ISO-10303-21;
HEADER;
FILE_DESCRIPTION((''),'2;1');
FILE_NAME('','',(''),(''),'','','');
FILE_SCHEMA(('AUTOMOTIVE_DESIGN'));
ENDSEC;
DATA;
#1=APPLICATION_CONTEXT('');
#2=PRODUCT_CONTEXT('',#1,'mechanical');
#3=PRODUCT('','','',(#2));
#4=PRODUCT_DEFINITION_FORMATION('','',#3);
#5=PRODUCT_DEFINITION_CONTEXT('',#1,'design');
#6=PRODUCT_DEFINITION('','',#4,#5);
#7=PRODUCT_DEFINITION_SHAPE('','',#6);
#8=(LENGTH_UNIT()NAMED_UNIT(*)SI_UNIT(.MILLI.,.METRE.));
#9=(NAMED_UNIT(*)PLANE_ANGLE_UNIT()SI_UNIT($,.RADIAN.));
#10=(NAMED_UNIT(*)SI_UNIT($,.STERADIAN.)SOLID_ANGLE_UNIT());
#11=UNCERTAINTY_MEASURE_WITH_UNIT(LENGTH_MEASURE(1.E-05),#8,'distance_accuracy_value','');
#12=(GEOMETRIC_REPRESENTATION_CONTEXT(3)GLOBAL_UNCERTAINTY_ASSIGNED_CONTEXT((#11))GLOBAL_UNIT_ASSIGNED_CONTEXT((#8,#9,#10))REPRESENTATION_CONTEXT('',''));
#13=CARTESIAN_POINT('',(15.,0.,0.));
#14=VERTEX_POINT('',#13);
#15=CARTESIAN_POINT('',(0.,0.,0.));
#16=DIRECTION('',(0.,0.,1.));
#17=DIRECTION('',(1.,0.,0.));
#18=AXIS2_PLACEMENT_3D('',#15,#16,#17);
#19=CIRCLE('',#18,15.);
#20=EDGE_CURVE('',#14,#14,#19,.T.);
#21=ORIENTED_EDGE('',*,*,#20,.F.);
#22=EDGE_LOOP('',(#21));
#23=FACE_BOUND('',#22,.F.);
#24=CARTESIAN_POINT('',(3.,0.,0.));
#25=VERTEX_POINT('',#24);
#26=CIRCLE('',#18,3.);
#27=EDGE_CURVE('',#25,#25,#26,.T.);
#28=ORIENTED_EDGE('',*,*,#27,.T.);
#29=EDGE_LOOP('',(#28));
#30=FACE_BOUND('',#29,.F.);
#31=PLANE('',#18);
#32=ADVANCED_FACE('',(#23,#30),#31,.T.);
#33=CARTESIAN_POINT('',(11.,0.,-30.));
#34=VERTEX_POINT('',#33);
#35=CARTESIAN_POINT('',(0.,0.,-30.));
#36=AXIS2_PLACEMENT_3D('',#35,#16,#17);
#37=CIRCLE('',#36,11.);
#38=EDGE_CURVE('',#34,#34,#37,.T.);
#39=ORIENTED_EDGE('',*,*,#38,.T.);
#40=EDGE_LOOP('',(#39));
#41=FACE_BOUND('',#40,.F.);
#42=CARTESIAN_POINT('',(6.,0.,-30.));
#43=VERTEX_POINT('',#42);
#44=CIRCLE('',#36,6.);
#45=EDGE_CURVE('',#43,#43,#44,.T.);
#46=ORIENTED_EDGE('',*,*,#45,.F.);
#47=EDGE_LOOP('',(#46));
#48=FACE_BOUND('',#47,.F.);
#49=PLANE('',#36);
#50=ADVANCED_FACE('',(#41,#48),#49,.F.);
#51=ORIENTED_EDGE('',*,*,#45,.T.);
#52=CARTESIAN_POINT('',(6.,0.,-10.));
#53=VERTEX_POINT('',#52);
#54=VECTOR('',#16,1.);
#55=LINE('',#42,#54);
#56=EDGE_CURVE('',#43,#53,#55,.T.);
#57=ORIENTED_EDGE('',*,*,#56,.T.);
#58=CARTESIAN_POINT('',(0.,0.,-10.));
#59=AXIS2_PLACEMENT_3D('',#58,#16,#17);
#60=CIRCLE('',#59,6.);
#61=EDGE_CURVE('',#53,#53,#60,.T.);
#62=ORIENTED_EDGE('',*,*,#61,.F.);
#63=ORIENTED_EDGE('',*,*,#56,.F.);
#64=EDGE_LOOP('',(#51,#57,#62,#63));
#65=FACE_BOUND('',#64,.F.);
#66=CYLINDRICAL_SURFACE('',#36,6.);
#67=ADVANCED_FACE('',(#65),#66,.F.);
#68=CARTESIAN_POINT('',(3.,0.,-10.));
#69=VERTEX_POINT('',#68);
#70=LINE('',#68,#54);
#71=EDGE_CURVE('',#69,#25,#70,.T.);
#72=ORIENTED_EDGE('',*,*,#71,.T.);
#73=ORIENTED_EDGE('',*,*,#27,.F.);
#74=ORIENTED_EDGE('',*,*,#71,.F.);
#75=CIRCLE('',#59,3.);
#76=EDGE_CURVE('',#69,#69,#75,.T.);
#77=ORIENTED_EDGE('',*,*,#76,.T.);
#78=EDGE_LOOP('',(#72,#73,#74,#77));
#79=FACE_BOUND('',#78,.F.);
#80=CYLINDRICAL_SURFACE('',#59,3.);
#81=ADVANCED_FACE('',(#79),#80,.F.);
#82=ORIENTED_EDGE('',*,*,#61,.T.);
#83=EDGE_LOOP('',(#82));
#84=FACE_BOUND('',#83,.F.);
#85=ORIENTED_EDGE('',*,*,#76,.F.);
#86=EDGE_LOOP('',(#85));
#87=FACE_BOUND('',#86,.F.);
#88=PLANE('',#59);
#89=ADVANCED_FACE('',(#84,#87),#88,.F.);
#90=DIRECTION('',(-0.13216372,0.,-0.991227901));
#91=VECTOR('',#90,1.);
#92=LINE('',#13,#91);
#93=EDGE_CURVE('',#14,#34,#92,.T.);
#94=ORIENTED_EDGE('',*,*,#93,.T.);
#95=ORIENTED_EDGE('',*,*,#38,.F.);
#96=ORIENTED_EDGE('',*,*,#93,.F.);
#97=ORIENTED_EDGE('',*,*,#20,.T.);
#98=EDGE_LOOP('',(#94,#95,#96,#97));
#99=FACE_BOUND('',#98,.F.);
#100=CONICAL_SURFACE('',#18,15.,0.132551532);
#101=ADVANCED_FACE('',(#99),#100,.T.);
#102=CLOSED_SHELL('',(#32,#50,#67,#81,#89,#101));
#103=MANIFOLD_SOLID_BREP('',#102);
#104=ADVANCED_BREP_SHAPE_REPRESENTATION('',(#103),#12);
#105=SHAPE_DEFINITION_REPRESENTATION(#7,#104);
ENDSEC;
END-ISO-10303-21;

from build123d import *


with BuildPart() as part:
    # Sketch → Revolution (revolve)
    with BuildSketch(Plane.XZ):
        Polygon((3, 0), (15, 0), (11, -30), (6, -30), (6, -10), (3, -10), align=None)
    revolve(axis=Axis((0, 0, 0), (0, 0, 1)))


solid = part.part
